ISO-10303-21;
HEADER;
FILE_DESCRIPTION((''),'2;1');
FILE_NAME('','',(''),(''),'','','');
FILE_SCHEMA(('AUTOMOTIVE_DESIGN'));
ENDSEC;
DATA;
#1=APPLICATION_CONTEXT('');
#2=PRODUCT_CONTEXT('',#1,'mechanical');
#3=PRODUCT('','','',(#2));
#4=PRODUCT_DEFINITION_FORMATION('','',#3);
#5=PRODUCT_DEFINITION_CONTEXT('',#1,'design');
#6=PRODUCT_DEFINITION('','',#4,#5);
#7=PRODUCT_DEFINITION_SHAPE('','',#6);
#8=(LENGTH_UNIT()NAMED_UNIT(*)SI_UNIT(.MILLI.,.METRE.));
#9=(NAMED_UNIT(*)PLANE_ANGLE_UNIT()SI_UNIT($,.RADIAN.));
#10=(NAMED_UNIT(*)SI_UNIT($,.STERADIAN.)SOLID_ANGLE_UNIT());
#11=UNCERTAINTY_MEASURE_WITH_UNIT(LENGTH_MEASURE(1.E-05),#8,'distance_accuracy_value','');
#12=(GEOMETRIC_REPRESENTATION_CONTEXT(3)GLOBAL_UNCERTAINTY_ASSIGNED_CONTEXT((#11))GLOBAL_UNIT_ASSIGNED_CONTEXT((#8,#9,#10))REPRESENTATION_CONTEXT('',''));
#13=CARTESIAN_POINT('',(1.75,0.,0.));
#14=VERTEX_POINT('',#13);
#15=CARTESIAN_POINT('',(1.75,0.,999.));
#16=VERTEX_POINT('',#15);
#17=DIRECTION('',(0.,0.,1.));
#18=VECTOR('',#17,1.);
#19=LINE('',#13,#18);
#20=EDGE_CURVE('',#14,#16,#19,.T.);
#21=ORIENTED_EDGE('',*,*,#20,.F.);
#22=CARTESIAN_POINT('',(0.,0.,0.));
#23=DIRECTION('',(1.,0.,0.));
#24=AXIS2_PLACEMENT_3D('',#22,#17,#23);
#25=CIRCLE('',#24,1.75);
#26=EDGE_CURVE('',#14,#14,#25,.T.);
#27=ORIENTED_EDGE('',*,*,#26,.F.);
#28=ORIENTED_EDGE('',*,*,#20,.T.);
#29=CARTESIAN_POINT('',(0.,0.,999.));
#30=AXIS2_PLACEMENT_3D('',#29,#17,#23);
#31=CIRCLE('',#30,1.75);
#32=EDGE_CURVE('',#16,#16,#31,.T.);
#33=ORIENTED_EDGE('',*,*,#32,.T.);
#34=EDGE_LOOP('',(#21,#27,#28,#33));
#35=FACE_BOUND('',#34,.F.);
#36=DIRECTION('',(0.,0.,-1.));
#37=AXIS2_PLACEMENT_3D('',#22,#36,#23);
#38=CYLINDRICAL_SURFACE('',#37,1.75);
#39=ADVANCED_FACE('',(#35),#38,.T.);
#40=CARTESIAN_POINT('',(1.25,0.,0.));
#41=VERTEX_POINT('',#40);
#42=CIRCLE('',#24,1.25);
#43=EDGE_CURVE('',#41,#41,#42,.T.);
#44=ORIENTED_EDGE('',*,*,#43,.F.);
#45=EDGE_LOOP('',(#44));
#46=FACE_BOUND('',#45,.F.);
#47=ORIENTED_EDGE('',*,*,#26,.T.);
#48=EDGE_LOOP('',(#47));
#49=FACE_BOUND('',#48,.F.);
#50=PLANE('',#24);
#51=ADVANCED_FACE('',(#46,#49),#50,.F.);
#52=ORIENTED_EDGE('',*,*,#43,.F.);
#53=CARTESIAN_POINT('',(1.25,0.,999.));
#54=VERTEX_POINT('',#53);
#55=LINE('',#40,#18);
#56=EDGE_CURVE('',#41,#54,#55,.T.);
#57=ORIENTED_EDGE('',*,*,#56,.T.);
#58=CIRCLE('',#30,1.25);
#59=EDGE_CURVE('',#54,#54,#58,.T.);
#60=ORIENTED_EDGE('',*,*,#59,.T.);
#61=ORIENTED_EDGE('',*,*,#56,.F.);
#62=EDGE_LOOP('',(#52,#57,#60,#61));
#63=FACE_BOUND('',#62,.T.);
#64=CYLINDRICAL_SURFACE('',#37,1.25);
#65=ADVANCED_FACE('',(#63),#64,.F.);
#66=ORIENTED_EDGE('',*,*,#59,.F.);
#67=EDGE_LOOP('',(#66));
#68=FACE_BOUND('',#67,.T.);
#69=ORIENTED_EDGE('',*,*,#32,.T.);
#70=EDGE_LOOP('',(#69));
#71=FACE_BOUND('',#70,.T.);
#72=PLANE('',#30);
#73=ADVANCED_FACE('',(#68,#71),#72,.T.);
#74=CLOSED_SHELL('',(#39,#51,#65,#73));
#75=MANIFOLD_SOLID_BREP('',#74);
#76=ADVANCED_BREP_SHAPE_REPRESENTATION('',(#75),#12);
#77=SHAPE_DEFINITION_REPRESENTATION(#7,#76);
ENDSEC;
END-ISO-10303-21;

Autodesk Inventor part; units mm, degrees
ref_plane "YZ Plane" through (0, 0, 0) normal (1, 0, 0) x (0, 1, 0)
ref_plane "XZ Plane" through (0, 0, 0) normal (0, 1, 0) x (-1, 0, 0)
ref_plane "XY Plane" through (0, 0, 0) normal (0, 0, 1) x (1, 0, 0)
sketch "Sketch1" plane through (0, 0, 0) normal (0, 0, 1) x (1, 0, 0)
  circle A0 centre (0, 0) radius 1.75
  circle A1 centre (0, 0) radius 1.25
  dimension "d0" = 3.5
  dimension "d1" = 2.5
extrude "Extrusion1" add sketch "Sketch1" along normal blind 999
ref_plane "Work Plane1" through (0, 0, 499.5) normal (0, 0, 1) x (1, 0, 0)
properties part number "cienki_spar_dlugi"
